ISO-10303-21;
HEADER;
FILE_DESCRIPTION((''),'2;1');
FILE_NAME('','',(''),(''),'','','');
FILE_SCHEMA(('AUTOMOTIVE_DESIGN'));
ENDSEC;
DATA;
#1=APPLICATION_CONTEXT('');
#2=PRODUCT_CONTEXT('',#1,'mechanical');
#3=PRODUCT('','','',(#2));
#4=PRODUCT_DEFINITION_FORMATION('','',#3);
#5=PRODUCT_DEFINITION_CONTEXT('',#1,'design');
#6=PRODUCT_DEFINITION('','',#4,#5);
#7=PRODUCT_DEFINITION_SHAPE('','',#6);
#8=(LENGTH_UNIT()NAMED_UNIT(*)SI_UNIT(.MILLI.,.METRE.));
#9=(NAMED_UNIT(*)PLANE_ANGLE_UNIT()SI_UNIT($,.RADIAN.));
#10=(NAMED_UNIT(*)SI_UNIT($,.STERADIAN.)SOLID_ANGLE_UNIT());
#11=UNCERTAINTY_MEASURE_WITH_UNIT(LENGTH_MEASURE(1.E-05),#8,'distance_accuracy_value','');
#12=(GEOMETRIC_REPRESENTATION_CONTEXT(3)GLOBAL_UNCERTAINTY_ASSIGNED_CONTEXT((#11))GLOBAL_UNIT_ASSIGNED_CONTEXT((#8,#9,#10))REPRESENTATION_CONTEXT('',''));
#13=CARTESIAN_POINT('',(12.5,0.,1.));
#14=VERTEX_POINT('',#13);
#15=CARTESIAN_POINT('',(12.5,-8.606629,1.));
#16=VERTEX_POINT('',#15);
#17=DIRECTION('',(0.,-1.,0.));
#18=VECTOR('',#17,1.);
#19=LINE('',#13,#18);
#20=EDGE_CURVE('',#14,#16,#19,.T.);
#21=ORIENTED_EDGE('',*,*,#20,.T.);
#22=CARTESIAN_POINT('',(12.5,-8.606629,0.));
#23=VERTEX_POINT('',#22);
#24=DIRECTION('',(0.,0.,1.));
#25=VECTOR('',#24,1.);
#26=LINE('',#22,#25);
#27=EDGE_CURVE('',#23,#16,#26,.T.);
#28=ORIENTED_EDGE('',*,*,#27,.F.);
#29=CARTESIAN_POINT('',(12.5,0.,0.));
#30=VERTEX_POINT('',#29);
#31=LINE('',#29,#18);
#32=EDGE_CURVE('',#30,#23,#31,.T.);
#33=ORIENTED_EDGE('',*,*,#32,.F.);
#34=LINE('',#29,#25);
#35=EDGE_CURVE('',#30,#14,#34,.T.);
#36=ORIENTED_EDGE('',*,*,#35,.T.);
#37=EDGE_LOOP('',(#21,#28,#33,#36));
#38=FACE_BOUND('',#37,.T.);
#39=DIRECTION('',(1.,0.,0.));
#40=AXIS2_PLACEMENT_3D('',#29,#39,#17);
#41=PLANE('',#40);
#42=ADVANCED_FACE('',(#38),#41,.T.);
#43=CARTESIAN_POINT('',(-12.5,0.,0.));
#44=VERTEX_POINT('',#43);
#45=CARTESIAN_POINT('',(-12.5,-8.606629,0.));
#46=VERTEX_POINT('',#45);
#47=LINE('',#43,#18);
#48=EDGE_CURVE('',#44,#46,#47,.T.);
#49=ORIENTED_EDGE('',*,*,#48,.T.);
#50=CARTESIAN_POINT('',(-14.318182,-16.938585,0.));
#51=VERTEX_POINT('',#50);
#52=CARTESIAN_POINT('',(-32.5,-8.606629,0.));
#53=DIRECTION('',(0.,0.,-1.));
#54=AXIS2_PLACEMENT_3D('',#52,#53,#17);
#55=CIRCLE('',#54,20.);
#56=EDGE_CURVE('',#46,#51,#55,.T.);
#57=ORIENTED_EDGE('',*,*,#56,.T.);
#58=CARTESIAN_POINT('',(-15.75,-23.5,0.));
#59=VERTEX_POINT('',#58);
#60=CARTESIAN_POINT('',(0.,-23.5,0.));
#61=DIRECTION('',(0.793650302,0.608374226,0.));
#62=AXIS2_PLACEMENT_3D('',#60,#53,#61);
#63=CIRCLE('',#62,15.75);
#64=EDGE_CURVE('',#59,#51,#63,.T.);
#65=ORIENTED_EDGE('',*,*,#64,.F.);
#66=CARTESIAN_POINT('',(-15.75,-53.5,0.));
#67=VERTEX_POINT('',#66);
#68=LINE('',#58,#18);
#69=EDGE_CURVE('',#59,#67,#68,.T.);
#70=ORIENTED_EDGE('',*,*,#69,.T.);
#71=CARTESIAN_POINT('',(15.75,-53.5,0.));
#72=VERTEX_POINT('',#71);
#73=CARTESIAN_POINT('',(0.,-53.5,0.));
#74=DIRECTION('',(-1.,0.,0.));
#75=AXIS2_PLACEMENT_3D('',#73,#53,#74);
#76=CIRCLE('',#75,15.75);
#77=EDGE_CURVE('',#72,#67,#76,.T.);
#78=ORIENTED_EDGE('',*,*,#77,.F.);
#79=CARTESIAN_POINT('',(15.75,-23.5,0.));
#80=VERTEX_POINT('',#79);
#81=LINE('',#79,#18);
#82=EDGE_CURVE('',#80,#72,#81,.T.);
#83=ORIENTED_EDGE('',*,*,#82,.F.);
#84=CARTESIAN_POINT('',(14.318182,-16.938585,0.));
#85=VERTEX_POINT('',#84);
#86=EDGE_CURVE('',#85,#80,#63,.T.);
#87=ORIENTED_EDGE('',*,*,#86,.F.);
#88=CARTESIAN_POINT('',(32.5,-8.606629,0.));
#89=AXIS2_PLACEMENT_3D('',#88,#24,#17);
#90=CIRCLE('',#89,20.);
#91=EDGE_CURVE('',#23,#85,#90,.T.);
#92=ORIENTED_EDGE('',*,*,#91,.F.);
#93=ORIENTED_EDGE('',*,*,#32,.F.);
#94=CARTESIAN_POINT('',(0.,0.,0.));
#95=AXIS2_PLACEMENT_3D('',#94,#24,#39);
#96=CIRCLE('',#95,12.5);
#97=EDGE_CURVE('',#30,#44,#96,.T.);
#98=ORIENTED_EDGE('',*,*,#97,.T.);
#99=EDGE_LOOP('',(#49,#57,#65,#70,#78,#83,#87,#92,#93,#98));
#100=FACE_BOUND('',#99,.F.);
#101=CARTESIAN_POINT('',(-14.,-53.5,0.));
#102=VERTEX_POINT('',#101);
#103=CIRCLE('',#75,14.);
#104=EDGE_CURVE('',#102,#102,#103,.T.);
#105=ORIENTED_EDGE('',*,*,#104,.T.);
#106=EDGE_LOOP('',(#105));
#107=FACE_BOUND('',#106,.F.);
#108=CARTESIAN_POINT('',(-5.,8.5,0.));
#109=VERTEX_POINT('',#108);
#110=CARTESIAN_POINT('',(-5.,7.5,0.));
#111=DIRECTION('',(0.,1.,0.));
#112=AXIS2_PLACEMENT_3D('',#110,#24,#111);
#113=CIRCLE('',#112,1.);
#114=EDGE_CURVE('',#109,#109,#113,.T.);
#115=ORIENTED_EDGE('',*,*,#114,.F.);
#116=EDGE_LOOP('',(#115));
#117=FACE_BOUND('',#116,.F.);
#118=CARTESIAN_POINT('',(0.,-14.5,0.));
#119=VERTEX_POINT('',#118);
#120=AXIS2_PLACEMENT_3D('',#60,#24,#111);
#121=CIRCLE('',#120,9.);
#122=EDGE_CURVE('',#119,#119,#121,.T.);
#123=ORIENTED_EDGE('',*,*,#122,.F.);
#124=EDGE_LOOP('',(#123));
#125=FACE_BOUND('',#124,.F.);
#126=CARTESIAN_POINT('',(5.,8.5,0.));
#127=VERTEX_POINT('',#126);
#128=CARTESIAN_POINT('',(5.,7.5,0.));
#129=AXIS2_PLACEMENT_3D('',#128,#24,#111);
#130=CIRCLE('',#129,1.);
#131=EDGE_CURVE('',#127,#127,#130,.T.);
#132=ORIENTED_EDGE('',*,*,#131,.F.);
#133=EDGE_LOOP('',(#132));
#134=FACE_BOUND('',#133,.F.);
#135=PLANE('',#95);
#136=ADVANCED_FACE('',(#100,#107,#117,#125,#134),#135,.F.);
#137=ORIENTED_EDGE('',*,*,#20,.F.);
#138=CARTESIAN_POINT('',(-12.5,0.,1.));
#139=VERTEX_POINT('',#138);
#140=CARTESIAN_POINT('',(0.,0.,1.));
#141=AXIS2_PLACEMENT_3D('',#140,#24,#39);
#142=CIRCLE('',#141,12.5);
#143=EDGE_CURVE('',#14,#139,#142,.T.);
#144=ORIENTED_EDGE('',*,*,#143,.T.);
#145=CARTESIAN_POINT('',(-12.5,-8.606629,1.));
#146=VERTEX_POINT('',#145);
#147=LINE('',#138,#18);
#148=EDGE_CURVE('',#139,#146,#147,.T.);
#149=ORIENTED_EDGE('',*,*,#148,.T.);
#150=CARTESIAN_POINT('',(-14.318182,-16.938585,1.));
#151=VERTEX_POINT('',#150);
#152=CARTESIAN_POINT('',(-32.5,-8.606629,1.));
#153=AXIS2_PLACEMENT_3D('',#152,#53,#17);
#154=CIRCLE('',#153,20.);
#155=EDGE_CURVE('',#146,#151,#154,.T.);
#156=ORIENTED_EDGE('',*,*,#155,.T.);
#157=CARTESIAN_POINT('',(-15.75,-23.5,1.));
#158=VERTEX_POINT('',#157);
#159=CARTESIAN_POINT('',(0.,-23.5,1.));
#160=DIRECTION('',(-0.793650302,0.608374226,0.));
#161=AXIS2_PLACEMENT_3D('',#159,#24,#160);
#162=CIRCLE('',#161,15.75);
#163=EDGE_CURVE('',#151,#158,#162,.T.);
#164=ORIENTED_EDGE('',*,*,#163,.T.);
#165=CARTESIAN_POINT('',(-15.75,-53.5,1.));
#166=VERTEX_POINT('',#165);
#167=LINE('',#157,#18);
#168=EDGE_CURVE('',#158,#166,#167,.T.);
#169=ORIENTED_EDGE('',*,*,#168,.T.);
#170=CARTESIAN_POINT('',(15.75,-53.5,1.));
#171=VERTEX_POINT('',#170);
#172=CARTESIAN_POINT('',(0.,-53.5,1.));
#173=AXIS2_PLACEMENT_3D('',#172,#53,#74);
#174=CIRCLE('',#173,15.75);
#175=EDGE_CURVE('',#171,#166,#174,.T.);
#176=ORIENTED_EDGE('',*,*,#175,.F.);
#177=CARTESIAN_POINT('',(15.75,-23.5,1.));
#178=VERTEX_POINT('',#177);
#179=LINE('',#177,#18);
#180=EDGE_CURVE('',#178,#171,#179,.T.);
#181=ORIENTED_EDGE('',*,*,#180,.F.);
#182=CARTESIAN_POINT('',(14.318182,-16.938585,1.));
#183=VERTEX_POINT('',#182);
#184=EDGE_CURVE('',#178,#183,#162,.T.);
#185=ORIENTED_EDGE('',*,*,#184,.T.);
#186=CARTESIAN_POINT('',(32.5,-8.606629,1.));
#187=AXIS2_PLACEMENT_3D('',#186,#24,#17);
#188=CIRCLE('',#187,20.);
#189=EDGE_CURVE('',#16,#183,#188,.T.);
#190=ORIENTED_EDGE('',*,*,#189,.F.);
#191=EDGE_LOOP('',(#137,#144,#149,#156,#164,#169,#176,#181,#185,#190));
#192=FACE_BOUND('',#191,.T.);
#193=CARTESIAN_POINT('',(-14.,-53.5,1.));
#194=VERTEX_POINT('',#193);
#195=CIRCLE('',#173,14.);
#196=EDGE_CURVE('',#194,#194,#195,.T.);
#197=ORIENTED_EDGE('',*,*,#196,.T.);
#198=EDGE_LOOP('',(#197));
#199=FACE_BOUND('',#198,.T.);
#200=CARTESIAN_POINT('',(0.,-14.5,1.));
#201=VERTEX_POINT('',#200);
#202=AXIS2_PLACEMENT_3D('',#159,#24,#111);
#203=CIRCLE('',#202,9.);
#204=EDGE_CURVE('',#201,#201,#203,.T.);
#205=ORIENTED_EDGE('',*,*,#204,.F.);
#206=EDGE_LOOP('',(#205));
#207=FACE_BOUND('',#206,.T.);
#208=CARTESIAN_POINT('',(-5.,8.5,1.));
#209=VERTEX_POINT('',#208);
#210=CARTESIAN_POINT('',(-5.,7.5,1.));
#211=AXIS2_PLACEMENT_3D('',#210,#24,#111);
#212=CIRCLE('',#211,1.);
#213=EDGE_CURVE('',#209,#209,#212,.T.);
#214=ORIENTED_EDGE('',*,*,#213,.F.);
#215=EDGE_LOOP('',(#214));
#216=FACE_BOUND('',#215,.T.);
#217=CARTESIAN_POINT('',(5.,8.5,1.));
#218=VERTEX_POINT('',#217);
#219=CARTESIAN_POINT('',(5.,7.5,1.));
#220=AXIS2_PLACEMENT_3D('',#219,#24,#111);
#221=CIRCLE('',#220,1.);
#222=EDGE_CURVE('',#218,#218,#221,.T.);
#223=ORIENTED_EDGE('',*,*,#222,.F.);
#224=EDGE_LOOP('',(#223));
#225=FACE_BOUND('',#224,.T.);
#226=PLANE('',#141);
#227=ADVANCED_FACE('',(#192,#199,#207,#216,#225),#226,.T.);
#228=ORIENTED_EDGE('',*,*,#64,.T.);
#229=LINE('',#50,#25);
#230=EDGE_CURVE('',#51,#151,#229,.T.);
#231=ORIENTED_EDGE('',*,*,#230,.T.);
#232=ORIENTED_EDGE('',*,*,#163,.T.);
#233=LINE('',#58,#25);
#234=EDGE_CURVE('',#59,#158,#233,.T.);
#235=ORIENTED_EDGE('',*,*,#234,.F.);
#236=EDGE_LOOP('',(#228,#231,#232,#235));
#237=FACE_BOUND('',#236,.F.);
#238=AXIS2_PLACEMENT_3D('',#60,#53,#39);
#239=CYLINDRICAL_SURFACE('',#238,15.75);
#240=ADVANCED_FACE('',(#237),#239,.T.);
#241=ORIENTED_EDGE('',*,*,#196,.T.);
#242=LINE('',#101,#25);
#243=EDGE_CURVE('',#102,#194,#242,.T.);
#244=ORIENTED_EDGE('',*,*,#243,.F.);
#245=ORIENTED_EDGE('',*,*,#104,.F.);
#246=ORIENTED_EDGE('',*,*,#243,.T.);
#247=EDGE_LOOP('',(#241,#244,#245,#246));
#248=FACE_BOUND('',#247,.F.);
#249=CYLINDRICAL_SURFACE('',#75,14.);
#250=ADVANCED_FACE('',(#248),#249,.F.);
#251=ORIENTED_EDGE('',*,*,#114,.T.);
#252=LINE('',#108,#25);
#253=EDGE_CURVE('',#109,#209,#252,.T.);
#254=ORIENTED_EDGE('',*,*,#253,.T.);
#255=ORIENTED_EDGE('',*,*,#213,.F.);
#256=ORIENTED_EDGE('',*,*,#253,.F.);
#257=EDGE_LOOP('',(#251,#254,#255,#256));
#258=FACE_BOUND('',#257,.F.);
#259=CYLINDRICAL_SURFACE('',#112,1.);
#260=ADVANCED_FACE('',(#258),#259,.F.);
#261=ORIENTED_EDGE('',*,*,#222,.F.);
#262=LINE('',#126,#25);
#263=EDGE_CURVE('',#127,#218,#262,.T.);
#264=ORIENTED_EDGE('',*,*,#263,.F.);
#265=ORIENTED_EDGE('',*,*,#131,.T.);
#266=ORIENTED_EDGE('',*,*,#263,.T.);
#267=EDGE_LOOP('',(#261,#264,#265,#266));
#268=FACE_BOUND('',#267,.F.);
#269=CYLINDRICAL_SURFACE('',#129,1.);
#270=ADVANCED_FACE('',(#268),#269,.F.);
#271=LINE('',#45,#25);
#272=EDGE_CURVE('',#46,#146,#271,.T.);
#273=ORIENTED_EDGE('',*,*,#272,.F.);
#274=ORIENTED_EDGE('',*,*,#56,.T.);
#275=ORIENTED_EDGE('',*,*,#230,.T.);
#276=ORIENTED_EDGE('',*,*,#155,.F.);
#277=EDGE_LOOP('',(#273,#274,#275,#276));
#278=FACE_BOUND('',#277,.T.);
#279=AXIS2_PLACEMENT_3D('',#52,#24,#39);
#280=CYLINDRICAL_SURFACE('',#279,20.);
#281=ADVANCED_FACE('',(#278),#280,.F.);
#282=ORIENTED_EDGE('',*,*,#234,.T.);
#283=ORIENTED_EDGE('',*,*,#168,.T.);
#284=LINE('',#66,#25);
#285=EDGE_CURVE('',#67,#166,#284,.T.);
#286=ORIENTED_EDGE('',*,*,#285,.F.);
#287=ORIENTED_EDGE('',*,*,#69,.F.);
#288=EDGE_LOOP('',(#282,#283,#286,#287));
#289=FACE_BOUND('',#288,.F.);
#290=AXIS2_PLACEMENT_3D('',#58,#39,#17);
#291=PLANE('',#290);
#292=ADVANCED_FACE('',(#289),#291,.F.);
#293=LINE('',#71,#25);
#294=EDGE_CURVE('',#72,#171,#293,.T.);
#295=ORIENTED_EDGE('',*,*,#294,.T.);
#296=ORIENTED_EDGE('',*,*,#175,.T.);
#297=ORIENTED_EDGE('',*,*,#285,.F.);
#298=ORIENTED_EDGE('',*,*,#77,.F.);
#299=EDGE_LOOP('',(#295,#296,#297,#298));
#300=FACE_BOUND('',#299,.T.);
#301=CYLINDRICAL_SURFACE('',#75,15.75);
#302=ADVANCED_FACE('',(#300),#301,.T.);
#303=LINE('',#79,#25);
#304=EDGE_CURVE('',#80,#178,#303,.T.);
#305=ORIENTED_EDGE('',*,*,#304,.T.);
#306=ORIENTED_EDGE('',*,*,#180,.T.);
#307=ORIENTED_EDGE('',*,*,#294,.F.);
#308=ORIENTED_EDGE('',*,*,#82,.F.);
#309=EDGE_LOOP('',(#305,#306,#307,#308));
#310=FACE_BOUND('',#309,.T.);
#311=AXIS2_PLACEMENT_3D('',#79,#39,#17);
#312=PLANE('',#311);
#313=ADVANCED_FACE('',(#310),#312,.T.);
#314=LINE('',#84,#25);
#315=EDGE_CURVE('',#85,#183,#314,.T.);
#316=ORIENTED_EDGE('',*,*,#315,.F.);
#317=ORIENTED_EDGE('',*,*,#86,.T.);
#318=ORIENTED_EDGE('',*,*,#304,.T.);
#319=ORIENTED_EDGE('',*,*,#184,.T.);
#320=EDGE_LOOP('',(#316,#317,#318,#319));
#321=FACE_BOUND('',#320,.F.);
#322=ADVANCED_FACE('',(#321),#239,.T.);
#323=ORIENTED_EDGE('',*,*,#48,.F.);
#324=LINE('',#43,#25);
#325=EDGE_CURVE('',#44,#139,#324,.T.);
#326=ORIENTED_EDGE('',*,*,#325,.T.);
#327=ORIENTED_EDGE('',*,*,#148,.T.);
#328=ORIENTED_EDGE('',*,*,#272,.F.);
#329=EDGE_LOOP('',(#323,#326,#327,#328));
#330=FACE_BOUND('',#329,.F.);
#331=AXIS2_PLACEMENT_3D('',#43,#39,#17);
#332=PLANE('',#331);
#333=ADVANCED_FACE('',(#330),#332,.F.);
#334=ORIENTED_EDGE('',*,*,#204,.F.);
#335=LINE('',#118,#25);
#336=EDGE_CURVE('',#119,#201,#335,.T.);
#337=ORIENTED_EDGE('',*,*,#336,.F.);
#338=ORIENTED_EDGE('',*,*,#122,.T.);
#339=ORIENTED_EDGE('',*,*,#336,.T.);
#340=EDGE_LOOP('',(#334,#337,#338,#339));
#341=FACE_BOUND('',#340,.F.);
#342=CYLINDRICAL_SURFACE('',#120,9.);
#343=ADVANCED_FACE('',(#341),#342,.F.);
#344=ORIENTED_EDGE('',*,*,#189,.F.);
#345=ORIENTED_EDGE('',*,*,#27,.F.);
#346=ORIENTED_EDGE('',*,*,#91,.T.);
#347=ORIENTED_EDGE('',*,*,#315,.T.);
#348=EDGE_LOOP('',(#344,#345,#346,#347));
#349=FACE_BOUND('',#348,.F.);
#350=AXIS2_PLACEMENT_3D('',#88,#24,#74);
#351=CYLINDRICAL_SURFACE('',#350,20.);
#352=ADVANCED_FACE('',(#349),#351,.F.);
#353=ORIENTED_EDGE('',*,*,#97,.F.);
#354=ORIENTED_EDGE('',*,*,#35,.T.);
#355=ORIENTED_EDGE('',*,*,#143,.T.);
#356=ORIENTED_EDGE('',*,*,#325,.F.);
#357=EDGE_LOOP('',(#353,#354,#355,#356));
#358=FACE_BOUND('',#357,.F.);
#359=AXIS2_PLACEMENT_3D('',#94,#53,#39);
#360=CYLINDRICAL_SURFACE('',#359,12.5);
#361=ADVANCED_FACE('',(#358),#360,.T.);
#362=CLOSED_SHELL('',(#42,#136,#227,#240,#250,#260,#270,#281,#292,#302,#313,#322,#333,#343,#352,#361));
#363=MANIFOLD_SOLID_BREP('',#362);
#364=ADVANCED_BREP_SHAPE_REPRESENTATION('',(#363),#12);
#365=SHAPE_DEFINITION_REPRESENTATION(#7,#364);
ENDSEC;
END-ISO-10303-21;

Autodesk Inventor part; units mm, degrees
ref_plane "YZ Plane" through (0, 0, 0) normal (1, 0, 0) x (0, 1, 0)
ref_plane "XZ Plane" through (0, 0, 0) normal (0, 1, 0) x (-1, 0, 0)
ref_plane "XY Plane" through (0, 0, 0) normal (0, 0, 1) x (1, 0, 0)
sketch "スケッチ1" plane through (0, 0, 0) normal (0, 0, 1) x (1, 0, 0)
  circle A0 centre (0, 0) radius 12.5
  circle A1 centre (0, -23.5) radius 15.75
  line L0 (-12.5, 0) -> (-12.5, -13.9181)
  line L1 (12.5, 0) -> (12.5, -13.9181)
  line L2 (0, 0) -> (0, -50.4255)
  point P0 (-15.75, -23.4978)
  point P1 (0.01, 12.5)
  dimension "d0" = 25
  dimension "d1" = 31.5
  dimension "d2" = 23.5
  dimension "d49" = 0
  dimension "d50" = 0
extrude "押し出し2" add sketch "スケッチ1" along normal blind 1
sketch "スケッチ4" plane through (0, 0, 0) normal (0, 0, -1) x (-1, 0, 0)
  arc A0 (12.5, 0) -> (-12.5, 0) centre (0, 0) ccw projected
  point P0 (-5, 7.5)
  point P1 (5, 7.5)
  dimension "d29" = 10
  dimension "d30" = 5
  dimension "d31" = 7.5
  dimension "d32" = 7.5
hole "Hole3" at (5, 7.5, 0) at (-5, 7.5, 0) direction (0, 0, 1) diameter 2 depth 8 tip angle 118
sketch "スケッチ5" plane through (0, 0, 0) normal (0, 0, -1) x (-1, 0, 0)
  arc A0 (-12.5, -13.9181) -> (12.5, -13.9181) centre (0, -23.5) ccw projected
hole "Hole4" at (0, -23.5, 0) direction (0, 0, 1) diameter 18 end through all
sketch "スケッチ6" plane through (0, 0, 0) normal (0, 0, -1) x (-1, 0, 0)
  circle A0 centre (0, -23.5) radius 9 projected
  arc A1 (-12.5, -13.9181) -> (12.5, -13.9181) centre (0, -23.5) ccw projected
  line L0 (12.5, 0) -> (12.5, -13.9181) projected
  circle A2 centre (0, -53.5) radius 14
  circle A3 centre (0, -53.5) radius 15.75
  line L1 (-15.75, -23.5) -> (-15.75, -53.5)
  line L2 (15.75, -23.5) -> (15.75, -53.5)
  dimension "d51" = 28
  dimension "d52" = 30
  dimension "d53" = 31.5
extrude "押し出し3" add sketch "スケッチ6" against normal blind 1 contours A1 A3 L1 | A1 A3 | A1 L2 A3 picked at (15.0141, -54.7564)
fillet "フィレット2" radius 20 2 edges at (12.5, -13.9181, 0.5) (-12.5, -13.9181, 0.5)
equation "\"d32\" = d31"
properties part number "JointC3'cover2_2nd" material "アルミニウム 6061"
